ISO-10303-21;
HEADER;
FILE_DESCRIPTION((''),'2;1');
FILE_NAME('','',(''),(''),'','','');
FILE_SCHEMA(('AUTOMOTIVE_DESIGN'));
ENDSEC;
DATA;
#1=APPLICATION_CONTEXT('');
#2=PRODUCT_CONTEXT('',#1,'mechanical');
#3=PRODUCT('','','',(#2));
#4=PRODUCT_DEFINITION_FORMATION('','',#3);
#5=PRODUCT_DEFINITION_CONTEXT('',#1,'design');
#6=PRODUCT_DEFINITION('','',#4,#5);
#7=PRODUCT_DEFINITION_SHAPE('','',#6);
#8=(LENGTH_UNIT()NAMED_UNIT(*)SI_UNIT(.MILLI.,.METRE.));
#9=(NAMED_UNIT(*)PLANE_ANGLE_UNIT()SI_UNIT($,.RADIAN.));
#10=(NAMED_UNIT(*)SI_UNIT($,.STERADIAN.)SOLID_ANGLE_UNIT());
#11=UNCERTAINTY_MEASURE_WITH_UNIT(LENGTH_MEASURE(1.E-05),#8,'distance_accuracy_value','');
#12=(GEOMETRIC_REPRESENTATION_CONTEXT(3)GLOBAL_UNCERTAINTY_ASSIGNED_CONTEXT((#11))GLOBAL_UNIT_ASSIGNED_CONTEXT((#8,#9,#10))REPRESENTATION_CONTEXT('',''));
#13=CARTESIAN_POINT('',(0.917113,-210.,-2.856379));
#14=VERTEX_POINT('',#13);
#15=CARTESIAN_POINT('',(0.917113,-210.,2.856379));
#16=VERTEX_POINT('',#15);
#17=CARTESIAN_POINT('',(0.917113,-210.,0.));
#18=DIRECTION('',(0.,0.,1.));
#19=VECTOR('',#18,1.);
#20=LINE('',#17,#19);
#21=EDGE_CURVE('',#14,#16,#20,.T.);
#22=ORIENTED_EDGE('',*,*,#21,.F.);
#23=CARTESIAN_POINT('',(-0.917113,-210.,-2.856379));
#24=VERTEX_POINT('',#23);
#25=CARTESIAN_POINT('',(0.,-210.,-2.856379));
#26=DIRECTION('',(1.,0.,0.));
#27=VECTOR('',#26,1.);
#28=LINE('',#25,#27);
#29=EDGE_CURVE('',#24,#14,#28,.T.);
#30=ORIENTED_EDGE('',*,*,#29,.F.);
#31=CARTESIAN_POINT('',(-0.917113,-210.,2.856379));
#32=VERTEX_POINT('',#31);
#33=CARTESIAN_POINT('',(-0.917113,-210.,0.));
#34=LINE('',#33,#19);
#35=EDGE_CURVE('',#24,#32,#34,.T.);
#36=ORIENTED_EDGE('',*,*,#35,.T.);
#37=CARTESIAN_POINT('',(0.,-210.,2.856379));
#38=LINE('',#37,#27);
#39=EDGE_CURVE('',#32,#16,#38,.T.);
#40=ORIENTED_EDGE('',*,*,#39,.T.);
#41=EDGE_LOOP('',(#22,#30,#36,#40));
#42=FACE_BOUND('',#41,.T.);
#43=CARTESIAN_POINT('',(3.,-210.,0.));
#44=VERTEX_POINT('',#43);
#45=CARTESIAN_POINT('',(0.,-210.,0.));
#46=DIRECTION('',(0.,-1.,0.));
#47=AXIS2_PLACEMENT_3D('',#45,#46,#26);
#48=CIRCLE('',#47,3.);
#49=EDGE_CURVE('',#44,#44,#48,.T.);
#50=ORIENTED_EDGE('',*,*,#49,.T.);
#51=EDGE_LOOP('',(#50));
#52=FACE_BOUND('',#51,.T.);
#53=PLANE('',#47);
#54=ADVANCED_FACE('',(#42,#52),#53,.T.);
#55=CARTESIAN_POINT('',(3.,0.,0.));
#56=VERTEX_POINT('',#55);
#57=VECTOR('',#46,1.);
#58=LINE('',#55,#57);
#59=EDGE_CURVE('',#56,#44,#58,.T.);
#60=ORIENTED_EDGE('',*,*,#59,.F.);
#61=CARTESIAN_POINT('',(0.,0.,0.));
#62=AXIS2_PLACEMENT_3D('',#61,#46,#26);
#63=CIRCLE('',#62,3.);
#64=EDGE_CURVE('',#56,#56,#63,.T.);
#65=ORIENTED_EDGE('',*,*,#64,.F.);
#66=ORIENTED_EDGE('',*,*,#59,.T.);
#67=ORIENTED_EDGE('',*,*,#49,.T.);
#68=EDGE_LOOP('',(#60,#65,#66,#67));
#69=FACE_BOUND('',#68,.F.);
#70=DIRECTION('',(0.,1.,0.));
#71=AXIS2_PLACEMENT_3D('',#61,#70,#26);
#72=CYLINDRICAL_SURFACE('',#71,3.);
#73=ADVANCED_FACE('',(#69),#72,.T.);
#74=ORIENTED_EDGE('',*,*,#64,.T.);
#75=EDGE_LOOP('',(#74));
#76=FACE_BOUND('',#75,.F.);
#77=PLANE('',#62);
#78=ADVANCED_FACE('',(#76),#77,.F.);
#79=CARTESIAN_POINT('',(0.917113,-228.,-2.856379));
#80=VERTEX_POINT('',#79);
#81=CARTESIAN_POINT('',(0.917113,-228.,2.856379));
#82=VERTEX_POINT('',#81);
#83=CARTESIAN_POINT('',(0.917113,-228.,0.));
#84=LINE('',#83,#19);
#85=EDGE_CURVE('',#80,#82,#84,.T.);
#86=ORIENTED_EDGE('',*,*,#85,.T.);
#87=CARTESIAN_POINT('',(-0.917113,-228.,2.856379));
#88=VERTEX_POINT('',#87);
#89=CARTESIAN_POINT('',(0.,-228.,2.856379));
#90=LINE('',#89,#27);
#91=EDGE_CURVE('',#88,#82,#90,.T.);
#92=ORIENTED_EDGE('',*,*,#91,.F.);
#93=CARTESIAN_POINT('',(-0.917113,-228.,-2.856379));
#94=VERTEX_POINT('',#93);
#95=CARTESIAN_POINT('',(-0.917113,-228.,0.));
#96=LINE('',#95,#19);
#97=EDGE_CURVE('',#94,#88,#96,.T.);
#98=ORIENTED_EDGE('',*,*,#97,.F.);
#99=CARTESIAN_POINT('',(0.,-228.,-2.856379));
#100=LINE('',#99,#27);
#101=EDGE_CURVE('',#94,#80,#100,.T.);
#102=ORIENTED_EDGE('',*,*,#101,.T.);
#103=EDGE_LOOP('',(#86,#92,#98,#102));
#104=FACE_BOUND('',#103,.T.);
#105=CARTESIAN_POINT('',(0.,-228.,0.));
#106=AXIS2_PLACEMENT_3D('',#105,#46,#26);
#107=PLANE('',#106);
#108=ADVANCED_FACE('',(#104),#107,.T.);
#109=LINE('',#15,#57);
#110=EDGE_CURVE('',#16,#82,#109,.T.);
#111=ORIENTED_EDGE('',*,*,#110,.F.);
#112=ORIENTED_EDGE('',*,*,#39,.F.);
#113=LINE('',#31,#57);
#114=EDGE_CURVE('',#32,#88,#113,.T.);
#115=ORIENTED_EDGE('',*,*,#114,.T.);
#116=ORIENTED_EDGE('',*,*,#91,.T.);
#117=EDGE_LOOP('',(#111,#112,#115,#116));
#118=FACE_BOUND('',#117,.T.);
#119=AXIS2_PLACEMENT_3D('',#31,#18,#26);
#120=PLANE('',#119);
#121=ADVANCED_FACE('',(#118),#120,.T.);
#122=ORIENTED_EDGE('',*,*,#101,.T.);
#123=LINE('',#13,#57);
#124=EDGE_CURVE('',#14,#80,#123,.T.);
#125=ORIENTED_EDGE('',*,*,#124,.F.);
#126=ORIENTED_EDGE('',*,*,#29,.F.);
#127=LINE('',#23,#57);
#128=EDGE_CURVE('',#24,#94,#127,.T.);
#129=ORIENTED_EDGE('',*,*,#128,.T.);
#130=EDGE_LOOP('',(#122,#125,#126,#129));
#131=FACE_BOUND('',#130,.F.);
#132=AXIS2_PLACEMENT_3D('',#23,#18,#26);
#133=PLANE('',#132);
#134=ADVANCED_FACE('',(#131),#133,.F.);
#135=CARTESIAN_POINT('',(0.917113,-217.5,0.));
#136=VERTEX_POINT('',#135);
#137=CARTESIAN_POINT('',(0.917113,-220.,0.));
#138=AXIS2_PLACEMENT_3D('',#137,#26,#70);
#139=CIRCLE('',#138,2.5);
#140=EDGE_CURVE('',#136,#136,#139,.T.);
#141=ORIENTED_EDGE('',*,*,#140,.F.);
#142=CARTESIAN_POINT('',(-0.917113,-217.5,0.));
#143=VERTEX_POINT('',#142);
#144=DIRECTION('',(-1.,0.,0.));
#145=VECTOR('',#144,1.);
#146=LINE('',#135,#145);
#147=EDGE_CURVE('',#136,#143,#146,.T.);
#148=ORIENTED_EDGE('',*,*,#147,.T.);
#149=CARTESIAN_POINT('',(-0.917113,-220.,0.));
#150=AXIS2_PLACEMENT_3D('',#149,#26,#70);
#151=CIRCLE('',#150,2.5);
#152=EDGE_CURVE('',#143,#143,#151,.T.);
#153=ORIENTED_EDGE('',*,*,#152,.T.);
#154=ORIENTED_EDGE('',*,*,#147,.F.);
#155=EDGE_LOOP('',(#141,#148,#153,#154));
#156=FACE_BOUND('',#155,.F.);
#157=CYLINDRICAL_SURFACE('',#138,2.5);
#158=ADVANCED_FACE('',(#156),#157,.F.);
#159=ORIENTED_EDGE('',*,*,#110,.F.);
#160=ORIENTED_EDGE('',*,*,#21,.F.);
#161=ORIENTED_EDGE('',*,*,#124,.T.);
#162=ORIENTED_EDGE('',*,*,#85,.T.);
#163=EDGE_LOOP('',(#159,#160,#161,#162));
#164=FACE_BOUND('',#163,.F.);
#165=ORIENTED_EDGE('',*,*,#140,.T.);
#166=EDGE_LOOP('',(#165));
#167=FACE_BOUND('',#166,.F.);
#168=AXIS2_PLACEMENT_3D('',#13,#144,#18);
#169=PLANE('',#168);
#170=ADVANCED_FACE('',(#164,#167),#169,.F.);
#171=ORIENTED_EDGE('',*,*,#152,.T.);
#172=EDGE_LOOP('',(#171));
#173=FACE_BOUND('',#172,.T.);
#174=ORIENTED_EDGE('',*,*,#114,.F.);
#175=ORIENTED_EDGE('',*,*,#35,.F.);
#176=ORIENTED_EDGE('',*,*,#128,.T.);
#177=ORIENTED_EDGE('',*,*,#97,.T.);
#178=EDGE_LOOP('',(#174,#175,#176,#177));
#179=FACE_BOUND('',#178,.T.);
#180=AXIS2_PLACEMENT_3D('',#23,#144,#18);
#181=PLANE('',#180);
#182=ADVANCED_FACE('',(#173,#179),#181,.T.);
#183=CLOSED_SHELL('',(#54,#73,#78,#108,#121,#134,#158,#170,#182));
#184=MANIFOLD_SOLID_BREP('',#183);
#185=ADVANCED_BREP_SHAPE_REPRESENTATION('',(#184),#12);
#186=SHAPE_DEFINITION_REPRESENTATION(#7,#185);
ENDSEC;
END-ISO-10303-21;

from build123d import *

# Parameters (mm, degrees)
F0_R     = 3
F1_DEPTH = 210
F2_W     = 1.834226
F2_H     = 5.712758
F3_DEPTH = 18
F5_R     = 2.5
F6_DEPTH = 1.834227


with BuildPart() as f1:
    # F0 (on Front) → F1 (new body)
    with BuildSketch(Plane.XZ):
        Circle(F0_R)
    extrude(amount=F1_DEPTH)

    # F2 (on face) → F3 (join)
    with BuildSketch(Plane.XZ.offset(210)):
        Rectangle(F2_W, F2_H)
    extrude(amount=F3_DEPTH)

    # F5 (on face) → F6 (cut, through all)
    with BuildSketch(Plane.YZ.offset(0.917113)):
        with Locations((-220, 0)):
            Circle(F5_R)
    extrude(amount=-F6_DEPTH, mode=Mode.SUBTRACT)


solid = f1.part
